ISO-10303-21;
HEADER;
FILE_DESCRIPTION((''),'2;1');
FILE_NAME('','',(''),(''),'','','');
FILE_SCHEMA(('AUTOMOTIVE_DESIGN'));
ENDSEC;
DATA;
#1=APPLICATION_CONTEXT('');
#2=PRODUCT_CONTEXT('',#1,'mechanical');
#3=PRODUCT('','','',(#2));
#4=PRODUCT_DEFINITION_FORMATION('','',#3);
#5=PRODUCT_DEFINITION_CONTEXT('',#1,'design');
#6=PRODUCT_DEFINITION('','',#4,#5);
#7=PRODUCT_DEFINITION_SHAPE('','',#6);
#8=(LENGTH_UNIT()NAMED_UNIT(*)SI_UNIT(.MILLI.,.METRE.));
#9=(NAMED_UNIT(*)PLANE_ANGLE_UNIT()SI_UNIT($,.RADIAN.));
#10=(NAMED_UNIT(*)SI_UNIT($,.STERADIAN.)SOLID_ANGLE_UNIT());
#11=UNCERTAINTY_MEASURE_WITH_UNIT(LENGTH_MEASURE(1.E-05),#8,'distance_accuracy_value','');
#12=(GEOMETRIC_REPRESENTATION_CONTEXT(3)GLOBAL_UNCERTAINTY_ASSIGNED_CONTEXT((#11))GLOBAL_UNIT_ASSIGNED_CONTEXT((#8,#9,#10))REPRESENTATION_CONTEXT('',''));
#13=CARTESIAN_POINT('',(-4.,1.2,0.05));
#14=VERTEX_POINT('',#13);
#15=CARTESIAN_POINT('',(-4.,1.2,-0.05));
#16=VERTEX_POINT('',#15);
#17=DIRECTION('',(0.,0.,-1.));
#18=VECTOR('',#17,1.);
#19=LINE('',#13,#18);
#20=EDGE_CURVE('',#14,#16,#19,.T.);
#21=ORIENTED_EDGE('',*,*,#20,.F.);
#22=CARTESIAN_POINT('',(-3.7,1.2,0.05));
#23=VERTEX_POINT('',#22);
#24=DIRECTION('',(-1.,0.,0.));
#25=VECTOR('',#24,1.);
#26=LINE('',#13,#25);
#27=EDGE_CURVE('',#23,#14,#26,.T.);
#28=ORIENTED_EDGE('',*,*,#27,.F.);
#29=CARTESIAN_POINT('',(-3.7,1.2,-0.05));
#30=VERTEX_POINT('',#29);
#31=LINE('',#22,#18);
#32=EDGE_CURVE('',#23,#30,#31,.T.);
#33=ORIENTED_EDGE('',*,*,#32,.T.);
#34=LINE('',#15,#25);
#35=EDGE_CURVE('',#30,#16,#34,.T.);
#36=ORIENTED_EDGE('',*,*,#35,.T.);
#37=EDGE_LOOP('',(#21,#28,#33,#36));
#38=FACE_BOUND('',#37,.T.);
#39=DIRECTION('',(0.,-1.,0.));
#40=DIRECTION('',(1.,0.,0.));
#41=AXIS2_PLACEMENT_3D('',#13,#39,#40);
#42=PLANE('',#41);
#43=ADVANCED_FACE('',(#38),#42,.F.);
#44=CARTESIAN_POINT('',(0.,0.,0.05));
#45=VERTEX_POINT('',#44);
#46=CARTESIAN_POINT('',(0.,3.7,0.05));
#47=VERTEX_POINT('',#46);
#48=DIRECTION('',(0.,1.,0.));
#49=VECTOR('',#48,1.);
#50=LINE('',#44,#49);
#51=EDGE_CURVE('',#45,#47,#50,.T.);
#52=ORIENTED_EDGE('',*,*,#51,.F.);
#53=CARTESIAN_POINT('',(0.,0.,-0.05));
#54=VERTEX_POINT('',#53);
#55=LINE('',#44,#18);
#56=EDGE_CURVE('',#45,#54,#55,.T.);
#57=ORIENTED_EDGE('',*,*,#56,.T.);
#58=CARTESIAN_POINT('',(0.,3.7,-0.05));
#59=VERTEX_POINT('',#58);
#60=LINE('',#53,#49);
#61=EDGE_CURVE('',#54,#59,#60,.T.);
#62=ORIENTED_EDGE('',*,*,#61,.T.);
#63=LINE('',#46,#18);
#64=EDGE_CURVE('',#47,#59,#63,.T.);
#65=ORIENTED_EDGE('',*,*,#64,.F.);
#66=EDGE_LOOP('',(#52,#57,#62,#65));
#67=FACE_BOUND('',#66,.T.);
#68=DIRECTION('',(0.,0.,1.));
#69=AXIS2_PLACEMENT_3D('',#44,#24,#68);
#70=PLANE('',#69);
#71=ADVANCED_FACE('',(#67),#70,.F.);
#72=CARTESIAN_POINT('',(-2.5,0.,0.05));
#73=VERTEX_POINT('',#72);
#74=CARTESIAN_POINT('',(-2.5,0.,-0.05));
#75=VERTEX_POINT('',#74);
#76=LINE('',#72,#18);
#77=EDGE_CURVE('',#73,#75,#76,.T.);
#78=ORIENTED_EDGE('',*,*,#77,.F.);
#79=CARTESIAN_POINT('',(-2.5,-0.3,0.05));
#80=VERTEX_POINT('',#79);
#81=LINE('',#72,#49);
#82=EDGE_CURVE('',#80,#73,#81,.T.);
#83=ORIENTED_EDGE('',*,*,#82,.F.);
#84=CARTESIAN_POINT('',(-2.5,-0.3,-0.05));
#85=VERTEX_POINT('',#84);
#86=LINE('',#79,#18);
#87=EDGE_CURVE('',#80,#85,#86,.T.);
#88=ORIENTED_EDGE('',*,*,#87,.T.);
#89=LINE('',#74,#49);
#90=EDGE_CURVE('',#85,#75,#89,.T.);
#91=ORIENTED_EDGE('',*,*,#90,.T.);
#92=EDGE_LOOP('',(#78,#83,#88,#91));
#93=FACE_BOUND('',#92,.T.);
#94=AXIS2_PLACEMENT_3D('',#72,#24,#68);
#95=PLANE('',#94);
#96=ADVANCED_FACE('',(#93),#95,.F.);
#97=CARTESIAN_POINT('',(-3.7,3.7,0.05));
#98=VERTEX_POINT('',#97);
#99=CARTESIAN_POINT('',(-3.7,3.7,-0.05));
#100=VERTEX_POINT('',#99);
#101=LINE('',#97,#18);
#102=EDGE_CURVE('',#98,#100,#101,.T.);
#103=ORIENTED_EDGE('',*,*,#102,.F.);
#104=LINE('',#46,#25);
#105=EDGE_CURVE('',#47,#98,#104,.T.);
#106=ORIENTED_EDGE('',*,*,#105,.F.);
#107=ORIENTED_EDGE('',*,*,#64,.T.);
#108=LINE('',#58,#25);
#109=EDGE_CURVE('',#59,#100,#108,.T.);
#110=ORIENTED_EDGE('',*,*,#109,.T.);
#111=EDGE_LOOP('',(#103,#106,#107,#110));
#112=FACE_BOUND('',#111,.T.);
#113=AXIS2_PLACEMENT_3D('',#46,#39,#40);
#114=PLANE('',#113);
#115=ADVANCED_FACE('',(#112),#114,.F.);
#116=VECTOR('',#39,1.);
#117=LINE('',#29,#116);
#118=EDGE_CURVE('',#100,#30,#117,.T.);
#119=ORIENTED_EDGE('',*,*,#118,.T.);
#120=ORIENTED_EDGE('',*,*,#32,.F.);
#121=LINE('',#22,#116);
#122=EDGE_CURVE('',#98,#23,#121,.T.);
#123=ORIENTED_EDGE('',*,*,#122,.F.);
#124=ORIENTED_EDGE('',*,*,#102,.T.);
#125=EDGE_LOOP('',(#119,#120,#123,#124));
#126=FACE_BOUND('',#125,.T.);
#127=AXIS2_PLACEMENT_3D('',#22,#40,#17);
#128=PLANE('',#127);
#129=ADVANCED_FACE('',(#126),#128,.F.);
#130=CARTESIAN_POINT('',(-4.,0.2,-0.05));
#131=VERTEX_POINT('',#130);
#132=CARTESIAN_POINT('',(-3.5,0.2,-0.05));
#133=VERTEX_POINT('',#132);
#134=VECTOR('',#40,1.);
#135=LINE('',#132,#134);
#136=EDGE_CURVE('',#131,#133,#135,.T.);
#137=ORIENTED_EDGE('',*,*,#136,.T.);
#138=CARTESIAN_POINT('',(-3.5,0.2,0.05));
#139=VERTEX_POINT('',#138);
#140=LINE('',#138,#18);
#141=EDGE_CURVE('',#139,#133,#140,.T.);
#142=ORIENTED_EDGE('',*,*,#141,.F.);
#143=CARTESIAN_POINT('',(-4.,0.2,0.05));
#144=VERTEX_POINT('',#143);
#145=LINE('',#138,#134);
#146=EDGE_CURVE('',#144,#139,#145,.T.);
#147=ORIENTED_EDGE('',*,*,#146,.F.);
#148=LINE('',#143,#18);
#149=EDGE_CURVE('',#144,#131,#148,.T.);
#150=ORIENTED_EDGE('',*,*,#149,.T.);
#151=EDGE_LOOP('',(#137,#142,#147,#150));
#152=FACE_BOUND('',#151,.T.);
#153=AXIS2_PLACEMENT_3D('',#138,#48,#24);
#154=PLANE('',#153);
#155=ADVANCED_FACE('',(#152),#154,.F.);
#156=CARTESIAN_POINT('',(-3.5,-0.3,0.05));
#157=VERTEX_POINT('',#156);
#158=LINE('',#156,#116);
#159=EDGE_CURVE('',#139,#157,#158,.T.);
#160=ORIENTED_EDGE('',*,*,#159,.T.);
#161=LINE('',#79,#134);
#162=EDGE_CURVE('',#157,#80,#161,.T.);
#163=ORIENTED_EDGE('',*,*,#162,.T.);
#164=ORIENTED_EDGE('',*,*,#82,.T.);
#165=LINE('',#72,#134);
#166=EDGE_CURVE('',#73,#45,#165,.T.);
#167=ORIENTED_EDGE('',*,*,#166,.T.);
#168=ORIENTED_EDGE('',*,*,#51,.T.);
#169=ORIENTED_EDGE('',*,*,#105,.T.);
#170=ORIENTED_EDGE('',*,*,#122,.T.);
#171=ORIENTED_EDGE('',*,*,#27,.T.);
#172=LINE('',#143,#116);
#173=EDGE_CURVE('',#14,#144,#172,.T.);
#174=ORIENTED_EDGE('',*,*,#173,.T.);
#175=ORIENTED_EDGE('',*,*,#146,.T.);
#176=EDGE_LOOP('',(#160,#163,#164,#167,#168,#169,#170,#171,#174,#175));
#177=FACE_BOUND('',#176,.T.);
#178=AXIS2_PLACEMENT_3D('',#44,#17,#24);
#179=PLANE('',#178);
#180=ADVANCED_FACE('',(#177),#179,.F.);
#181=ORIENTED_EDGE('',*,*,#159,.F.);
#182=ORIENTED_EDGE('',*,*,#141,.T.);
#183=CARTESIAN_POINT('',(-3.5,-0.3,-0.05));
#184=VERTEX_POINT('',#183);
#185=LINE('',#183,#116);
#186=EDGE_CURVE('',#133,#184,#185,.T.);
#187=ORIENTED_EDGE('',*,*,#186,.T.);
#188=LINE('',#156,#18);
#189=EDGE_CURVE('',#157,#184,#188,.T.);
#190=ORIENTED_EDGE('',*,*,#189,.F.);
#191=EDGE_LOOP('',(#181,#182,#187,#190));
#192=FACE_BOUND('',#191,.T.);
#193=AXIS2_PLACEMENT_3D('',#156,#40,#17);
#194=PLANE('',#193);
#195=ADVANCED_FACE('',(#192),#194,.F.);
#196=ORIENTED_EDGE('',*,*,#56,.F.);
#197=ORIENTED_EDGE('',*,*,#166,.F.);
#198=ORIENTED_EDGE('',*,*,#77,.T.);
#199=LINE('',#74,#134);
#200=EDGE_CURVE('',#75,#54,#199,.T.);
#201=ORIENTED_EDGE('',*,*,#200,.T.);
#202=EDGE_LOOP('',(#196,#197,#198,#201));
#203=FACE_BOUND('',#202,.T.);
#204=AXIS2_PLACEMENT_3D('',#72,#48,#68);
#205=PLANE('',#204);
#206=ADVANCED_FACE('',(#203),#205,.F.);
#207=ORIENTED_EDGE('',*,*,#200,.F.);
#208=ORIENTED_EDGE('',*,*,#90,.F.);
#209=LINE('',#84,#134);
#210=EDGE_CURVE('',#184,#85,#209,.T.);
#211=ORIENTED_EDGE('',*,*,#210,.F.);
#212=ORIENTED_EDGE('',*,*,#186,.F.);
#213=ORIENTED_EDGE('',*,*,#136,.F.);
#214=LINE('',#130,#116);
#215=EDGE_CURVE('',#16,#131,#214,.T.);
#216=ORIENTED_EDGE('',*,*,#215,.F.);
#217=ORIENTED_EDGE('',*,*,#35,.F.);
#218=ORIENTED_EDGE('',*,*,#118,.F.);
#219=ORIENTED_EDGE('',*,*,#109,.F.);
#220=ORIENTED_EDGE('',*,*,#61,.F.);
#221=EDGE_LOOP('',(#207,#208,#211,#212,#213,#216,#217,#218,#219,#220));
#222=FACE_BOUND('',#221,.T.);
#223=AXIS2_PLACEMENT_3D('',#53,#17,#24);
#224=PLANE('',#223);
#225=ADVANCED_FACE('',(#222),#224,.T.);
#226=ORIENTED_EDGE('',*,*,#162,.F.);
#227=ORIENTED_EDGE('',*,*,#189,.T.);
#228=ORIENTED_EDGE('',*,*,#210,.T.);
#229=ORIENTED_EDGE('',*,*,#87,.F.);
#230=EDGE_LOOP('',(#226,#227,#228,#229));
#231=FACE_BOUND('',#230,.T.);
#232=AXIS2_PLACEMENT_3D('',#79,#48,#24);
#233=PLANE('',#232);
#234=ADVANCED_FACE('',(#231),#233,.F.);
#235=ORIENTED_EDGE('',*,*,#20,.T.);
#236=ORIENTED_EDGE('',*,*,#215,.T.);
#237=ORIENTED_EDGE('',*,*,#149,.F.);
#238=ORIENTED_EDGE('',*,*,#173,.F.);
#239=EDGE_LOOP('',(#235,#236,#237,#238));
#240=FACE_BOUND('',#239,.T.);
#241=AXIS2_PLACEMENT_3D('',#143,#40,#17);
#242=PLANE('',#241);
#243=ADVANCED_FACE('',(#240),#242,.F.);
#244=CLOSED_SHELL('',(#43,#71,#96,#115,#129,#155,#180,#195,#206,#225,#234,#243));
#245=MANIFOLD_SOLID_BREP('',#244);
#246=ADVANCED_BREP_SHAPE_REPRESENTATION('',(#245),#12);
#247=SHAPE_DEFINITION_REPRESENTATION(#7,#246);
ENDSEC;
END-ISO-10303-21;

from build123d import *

# Parameters (mm, degrees)
BOSS_EXTRUDE1_DEPTH = 0.05


with BuildPart() as part:
    # Sketch1 → Boss-Extrude1 (new, symmetric)
    with BuildSketch(Plane.XY):
        Polygon((0, 0), (0, 3.7), (-3.7, 3.7), (-3.7, 1.2), (-4, 1.2), (-4, 0.2), (-3.5, 0.2), (-3.5, -0.3), (-2.5, -0.3), (-2.5, 0), align=None)
    extrude(amount=BOSS_EXTRUDE1_DEPTH, both=True)


solid = part.part
